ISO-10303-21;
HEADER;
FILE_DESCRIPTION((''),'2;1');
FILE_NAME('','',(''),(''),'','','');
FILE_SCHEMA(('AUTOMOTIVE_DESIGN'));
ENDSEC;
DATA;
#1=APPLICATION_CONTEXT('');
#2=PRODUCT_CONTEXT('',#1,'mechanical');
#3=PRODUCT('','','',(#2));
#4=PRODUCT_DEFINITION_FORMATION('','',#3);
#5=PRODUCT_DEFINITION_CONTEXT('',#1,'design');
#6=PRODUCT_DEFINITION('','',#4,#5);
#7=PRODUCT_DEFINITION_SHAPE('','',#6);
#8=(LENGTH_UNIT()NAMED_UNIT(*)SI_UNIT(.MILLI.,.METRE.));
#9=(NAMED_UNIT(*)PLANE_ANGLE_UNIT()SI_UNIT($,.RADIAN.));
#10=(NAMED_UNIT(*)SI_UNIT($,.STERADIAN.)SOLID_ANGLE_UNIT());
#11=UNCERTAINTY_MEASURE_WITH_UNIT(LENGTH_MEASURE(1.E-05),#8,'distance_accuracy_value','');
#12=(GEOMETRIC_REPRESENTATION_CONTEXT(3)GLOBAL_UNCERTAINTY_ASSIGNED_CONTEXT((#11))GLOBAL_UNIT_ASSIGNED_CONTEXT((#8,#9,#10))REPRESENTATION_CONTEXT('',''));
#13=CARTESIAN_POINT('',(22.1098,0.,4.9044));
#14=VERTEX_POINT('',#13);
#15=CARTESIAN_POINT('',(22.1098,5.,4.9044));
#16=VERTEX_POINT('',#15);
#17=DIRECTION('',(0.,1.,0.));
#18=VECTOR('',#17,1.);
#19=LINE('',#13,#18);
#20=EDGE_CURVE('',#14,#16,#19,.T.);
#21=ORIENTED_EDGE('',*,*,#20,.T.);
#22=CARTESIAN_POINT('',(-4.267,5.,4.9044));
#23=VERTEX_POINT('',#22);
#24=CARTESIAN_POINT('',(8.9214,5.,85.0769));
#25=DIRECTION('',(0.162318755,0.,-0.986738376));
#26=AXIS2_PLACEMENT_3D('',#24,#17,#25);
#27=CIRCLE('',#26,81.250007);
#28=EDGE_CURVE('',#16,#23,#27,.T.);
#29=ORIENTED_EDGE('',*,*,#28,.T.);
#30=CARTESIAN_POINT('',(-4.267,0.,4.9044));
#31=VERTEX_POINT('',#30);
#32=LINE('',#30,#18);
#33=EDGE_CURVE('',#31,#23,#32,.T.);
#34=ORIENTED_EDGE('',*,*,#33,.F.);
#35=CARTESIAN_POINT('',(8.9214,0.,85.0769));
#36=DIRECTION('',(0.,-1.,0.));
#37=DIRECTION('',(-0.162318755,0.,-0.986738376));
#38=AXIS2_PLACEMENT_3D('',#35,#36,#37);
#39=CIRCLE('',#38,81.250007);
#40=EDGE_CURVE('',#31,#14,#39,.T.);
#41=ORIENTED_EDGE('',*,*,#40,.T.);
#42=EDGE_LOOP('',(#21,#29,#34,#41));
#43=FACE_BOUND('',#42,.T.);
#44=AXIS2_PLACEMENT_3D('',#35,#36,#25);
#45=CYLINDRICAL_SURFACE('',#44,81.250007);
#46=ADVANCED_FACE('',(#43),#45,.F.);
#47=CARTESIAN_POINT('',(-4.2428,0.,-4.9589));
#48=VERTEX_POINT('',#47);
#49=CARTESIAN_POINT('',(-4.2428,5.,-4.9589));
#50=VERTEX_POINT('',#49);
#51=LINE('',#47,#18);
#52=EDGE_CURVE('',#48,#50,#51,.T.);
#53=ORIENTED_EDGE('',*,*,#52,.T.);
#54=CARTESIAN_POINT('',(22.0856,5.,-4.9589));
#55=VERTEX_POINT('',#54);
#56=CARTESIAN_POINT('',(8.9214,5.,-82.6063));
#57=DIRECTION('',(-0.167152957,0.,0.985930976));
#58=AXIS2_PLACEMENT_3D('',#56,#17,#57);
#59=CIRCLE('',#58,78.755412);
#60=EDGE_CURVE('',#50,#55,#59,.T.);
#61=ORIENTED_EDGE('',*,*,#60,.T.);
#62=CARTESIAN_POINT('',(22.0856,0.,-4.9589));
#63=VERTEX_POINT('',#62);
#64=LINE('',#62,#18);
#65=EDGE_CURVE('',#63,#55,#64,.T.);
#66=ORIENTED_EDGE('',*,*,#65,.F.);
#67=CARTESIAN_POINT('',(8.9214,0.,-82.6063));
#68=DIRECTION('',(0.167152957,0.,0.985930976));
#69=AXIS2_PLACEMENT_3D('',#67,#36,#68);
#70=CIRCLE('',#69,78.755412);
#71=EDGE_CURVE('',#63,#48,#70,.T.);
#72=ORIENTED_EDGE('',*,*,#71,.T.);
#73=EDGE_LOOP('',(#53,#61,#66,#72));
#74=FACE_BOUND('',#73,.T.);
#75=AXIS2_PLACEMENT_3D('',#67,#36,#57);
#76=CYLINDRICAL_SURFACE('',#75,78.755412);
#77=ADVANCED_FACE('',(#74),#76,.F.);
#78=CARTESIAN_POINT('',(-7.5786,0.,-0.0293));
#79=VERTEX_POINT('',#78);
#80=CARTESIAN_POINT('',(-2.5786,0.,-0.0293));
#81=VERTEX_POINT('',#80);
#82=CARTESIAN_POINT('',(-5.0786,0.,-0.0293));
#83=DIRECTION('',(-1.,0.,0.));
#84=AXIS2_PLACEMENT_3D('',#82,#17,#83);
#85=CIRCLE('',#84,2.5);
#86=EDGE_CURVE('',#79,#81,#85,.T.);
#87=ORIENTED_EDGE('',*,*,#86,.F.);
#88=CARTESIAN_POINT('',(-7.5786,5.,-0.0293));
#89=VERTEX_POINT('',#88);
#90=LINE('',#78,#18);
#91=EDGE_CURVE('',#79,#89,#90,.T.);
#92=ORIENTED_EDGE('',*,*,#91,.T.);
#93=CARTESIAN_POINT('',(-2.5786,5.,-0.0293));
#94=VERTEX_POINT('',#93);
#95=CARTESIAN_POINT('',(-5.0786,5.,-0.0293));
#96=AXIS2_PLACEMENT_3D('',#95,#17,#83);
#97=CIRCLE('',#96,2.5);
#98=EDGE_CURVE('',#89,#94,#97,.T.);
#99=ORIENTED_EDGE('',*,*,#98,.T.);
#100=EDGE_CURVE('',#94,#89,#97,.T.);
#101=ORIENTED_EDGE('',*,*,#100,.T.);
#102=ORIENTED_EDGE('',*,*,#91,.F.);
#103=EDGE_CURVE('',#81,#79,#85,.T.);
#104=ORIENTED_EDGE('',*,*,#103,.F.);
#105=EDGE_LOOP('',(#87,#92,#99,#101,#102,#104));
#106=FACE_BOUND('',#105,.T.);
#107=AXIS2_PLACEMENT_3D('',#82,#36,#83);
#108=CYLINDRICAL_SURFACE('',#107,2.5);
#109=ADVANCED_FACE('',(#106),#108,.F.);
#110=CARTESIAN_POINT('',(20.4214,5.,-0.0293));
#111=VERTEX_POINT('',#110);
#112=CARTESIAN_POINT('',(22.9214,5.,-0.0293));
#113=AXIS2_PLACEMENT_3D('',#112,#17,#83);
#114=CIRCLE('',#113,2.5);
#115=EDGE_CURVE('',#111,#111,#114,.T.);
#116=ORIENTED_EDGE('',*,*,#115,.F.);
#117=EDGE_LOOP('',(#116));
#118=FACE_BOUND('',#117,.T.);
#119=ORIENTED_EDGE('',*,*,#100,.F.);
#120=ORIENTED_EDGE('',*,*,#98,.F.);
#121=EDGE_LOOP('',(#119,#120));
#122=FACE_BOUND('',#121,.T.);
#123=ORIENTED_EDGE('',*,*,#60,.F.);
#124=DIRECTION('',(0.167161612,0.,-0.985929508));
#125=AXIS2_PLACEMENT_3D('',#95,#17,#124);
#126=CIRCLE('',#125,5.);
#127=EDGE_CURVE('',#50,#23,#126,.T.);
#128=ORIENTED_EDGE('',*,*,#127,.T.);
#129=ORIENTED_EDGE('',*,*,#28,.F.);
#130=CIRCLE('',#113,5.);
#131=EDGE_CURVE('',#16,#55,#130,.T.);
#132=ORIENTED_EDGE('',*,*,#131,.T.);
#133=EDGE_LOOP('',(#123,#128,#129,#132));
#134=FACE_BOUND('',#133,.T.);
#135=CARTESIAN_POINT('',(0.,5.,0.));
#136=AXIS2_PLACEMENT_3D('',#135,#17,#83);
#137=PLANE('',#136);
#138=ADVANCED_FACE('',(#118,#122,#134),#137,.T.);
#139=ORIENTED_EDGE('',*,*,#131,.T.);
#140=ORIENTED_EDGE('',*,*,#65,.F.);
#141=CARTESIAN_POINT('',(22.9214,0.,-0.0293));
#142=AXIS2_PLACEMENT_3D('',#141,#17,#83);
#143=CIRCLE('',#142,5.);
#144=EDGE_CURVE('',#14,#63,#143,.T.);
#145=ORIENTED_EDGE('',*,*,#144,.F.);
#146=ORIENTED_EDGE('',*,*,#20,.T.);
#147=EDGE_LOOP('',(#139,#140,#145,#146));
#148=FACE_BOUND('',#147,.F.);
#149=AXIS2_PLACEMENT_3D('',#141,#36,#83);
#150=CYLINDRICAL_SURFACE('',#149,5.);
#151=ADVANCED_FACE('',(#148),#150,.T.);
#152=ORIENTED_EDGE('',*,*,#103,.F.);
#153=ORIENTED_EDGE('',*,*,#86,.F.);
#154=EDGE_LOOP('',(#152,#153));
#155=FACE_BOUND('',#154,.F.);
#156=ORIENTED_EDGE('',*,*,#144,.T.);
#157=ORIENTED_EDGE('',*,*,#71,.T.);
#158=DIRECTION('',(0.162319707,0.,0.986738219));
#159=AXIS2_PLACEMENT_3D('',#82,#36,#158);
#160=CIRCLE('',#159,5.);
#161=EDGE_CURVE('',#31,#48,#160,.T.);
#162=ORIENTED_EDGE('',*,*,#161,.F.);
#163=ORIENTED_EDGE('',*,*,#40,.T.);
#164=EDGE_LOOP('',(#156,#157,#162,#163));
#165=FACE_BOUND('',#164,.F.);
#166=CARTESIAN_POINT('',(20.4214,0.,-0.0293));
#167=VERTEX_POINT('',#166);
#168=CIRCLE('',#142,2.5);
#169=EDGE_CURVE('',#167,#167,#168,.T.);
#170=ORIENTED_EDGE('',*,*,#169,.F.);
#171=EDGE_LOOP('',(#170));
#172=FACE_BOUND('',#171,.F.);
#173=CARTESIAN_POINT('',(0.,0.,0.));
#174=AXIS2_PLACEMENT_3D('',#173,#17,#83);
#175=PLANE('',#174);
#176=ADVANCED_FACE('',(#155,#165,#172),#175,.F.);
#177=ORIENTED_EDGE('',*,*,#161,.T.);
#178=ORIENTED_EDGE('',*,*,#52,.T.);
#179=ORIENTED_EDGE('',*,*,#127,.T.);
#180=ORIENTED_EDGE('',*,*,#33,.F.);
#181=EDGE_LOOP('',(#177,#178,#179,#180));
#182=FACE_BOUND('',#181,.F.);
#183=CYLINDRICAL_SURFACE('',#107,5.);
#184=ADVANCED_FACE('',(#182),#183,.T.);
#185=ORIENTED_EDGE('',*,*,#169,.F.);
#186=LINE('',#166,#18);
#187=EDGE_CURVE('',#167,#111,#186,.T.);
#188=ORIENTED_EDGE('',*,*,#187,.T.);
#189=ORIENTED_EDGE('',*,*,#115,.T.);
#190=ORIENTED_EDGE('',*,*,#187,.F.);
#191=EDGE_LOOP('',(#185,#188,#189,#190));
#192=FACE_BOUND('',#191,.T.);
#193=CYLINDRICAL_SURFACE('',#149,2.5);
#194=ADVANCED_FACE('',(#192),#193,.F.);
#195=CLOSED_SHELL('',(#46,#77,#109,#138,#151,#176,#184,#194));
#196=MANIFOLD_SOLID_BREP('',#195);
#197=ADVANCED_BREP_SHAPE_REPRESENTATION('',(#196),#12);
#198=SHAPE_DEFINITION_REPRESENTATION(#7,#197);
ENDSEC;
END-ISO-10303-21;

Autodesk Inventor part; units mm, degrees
ref_plane "YZ Plane" through (0, 0, 0) normal (1, 0, 0) x (0, 1, 0)
ref_plane "XZ Plane" through (0, 0, 0) normal (0, 1, 0) x (-1, 0, 0)
ref_plane "XY Plane" through (0, 0, 0) normal (0, 0, 1) x (1, 0, 0)
sketch "Sketch1" plane through (0, 0, 0) normal (0, 1, 0) x (-1, 0, 0)
  line L0 (-22.9214, -0.0293) -> (5.0786, -0.0293)
  circle A0 centre (5.0786, -0.0293) radius 2.5
  circle A1 centre (-22.9214, -0.0293) radius 2.5
  circle A2 centre (-22.9214, -0.0293) radius 5
  circle A3 centre (5.0786, -0.0293) radius 5
  line L1 (-8.9214, -0.0293) -> (-8.9214, -3.8509)
  line L2 (-8.9214, -3.8509) -> (-8.9214, -0.0293)
  line L3 (-8.9214, -0.0293) -> (-8.9214, 3.8269)
  arc A4 (-22.1098, 4.9044) -> (4.267, 4.9044) centre (-8.9214, 85.0769) ccw
  arc A5 (4.2428, -4.9589) -> (-22.0856, -4.9589) centre (-8.9214, -82.6063) ccw
  point P0 (0, 0)
  dimension "d0" = 28
  dimension "d1" = 5
  dimension "d2" = 5
  dimension "d3" = 10
  dimension "d4" = 10
extrude "Extrusion1" add sketch "Sketch1" along normal blind 5
properties part number "body-connector"
